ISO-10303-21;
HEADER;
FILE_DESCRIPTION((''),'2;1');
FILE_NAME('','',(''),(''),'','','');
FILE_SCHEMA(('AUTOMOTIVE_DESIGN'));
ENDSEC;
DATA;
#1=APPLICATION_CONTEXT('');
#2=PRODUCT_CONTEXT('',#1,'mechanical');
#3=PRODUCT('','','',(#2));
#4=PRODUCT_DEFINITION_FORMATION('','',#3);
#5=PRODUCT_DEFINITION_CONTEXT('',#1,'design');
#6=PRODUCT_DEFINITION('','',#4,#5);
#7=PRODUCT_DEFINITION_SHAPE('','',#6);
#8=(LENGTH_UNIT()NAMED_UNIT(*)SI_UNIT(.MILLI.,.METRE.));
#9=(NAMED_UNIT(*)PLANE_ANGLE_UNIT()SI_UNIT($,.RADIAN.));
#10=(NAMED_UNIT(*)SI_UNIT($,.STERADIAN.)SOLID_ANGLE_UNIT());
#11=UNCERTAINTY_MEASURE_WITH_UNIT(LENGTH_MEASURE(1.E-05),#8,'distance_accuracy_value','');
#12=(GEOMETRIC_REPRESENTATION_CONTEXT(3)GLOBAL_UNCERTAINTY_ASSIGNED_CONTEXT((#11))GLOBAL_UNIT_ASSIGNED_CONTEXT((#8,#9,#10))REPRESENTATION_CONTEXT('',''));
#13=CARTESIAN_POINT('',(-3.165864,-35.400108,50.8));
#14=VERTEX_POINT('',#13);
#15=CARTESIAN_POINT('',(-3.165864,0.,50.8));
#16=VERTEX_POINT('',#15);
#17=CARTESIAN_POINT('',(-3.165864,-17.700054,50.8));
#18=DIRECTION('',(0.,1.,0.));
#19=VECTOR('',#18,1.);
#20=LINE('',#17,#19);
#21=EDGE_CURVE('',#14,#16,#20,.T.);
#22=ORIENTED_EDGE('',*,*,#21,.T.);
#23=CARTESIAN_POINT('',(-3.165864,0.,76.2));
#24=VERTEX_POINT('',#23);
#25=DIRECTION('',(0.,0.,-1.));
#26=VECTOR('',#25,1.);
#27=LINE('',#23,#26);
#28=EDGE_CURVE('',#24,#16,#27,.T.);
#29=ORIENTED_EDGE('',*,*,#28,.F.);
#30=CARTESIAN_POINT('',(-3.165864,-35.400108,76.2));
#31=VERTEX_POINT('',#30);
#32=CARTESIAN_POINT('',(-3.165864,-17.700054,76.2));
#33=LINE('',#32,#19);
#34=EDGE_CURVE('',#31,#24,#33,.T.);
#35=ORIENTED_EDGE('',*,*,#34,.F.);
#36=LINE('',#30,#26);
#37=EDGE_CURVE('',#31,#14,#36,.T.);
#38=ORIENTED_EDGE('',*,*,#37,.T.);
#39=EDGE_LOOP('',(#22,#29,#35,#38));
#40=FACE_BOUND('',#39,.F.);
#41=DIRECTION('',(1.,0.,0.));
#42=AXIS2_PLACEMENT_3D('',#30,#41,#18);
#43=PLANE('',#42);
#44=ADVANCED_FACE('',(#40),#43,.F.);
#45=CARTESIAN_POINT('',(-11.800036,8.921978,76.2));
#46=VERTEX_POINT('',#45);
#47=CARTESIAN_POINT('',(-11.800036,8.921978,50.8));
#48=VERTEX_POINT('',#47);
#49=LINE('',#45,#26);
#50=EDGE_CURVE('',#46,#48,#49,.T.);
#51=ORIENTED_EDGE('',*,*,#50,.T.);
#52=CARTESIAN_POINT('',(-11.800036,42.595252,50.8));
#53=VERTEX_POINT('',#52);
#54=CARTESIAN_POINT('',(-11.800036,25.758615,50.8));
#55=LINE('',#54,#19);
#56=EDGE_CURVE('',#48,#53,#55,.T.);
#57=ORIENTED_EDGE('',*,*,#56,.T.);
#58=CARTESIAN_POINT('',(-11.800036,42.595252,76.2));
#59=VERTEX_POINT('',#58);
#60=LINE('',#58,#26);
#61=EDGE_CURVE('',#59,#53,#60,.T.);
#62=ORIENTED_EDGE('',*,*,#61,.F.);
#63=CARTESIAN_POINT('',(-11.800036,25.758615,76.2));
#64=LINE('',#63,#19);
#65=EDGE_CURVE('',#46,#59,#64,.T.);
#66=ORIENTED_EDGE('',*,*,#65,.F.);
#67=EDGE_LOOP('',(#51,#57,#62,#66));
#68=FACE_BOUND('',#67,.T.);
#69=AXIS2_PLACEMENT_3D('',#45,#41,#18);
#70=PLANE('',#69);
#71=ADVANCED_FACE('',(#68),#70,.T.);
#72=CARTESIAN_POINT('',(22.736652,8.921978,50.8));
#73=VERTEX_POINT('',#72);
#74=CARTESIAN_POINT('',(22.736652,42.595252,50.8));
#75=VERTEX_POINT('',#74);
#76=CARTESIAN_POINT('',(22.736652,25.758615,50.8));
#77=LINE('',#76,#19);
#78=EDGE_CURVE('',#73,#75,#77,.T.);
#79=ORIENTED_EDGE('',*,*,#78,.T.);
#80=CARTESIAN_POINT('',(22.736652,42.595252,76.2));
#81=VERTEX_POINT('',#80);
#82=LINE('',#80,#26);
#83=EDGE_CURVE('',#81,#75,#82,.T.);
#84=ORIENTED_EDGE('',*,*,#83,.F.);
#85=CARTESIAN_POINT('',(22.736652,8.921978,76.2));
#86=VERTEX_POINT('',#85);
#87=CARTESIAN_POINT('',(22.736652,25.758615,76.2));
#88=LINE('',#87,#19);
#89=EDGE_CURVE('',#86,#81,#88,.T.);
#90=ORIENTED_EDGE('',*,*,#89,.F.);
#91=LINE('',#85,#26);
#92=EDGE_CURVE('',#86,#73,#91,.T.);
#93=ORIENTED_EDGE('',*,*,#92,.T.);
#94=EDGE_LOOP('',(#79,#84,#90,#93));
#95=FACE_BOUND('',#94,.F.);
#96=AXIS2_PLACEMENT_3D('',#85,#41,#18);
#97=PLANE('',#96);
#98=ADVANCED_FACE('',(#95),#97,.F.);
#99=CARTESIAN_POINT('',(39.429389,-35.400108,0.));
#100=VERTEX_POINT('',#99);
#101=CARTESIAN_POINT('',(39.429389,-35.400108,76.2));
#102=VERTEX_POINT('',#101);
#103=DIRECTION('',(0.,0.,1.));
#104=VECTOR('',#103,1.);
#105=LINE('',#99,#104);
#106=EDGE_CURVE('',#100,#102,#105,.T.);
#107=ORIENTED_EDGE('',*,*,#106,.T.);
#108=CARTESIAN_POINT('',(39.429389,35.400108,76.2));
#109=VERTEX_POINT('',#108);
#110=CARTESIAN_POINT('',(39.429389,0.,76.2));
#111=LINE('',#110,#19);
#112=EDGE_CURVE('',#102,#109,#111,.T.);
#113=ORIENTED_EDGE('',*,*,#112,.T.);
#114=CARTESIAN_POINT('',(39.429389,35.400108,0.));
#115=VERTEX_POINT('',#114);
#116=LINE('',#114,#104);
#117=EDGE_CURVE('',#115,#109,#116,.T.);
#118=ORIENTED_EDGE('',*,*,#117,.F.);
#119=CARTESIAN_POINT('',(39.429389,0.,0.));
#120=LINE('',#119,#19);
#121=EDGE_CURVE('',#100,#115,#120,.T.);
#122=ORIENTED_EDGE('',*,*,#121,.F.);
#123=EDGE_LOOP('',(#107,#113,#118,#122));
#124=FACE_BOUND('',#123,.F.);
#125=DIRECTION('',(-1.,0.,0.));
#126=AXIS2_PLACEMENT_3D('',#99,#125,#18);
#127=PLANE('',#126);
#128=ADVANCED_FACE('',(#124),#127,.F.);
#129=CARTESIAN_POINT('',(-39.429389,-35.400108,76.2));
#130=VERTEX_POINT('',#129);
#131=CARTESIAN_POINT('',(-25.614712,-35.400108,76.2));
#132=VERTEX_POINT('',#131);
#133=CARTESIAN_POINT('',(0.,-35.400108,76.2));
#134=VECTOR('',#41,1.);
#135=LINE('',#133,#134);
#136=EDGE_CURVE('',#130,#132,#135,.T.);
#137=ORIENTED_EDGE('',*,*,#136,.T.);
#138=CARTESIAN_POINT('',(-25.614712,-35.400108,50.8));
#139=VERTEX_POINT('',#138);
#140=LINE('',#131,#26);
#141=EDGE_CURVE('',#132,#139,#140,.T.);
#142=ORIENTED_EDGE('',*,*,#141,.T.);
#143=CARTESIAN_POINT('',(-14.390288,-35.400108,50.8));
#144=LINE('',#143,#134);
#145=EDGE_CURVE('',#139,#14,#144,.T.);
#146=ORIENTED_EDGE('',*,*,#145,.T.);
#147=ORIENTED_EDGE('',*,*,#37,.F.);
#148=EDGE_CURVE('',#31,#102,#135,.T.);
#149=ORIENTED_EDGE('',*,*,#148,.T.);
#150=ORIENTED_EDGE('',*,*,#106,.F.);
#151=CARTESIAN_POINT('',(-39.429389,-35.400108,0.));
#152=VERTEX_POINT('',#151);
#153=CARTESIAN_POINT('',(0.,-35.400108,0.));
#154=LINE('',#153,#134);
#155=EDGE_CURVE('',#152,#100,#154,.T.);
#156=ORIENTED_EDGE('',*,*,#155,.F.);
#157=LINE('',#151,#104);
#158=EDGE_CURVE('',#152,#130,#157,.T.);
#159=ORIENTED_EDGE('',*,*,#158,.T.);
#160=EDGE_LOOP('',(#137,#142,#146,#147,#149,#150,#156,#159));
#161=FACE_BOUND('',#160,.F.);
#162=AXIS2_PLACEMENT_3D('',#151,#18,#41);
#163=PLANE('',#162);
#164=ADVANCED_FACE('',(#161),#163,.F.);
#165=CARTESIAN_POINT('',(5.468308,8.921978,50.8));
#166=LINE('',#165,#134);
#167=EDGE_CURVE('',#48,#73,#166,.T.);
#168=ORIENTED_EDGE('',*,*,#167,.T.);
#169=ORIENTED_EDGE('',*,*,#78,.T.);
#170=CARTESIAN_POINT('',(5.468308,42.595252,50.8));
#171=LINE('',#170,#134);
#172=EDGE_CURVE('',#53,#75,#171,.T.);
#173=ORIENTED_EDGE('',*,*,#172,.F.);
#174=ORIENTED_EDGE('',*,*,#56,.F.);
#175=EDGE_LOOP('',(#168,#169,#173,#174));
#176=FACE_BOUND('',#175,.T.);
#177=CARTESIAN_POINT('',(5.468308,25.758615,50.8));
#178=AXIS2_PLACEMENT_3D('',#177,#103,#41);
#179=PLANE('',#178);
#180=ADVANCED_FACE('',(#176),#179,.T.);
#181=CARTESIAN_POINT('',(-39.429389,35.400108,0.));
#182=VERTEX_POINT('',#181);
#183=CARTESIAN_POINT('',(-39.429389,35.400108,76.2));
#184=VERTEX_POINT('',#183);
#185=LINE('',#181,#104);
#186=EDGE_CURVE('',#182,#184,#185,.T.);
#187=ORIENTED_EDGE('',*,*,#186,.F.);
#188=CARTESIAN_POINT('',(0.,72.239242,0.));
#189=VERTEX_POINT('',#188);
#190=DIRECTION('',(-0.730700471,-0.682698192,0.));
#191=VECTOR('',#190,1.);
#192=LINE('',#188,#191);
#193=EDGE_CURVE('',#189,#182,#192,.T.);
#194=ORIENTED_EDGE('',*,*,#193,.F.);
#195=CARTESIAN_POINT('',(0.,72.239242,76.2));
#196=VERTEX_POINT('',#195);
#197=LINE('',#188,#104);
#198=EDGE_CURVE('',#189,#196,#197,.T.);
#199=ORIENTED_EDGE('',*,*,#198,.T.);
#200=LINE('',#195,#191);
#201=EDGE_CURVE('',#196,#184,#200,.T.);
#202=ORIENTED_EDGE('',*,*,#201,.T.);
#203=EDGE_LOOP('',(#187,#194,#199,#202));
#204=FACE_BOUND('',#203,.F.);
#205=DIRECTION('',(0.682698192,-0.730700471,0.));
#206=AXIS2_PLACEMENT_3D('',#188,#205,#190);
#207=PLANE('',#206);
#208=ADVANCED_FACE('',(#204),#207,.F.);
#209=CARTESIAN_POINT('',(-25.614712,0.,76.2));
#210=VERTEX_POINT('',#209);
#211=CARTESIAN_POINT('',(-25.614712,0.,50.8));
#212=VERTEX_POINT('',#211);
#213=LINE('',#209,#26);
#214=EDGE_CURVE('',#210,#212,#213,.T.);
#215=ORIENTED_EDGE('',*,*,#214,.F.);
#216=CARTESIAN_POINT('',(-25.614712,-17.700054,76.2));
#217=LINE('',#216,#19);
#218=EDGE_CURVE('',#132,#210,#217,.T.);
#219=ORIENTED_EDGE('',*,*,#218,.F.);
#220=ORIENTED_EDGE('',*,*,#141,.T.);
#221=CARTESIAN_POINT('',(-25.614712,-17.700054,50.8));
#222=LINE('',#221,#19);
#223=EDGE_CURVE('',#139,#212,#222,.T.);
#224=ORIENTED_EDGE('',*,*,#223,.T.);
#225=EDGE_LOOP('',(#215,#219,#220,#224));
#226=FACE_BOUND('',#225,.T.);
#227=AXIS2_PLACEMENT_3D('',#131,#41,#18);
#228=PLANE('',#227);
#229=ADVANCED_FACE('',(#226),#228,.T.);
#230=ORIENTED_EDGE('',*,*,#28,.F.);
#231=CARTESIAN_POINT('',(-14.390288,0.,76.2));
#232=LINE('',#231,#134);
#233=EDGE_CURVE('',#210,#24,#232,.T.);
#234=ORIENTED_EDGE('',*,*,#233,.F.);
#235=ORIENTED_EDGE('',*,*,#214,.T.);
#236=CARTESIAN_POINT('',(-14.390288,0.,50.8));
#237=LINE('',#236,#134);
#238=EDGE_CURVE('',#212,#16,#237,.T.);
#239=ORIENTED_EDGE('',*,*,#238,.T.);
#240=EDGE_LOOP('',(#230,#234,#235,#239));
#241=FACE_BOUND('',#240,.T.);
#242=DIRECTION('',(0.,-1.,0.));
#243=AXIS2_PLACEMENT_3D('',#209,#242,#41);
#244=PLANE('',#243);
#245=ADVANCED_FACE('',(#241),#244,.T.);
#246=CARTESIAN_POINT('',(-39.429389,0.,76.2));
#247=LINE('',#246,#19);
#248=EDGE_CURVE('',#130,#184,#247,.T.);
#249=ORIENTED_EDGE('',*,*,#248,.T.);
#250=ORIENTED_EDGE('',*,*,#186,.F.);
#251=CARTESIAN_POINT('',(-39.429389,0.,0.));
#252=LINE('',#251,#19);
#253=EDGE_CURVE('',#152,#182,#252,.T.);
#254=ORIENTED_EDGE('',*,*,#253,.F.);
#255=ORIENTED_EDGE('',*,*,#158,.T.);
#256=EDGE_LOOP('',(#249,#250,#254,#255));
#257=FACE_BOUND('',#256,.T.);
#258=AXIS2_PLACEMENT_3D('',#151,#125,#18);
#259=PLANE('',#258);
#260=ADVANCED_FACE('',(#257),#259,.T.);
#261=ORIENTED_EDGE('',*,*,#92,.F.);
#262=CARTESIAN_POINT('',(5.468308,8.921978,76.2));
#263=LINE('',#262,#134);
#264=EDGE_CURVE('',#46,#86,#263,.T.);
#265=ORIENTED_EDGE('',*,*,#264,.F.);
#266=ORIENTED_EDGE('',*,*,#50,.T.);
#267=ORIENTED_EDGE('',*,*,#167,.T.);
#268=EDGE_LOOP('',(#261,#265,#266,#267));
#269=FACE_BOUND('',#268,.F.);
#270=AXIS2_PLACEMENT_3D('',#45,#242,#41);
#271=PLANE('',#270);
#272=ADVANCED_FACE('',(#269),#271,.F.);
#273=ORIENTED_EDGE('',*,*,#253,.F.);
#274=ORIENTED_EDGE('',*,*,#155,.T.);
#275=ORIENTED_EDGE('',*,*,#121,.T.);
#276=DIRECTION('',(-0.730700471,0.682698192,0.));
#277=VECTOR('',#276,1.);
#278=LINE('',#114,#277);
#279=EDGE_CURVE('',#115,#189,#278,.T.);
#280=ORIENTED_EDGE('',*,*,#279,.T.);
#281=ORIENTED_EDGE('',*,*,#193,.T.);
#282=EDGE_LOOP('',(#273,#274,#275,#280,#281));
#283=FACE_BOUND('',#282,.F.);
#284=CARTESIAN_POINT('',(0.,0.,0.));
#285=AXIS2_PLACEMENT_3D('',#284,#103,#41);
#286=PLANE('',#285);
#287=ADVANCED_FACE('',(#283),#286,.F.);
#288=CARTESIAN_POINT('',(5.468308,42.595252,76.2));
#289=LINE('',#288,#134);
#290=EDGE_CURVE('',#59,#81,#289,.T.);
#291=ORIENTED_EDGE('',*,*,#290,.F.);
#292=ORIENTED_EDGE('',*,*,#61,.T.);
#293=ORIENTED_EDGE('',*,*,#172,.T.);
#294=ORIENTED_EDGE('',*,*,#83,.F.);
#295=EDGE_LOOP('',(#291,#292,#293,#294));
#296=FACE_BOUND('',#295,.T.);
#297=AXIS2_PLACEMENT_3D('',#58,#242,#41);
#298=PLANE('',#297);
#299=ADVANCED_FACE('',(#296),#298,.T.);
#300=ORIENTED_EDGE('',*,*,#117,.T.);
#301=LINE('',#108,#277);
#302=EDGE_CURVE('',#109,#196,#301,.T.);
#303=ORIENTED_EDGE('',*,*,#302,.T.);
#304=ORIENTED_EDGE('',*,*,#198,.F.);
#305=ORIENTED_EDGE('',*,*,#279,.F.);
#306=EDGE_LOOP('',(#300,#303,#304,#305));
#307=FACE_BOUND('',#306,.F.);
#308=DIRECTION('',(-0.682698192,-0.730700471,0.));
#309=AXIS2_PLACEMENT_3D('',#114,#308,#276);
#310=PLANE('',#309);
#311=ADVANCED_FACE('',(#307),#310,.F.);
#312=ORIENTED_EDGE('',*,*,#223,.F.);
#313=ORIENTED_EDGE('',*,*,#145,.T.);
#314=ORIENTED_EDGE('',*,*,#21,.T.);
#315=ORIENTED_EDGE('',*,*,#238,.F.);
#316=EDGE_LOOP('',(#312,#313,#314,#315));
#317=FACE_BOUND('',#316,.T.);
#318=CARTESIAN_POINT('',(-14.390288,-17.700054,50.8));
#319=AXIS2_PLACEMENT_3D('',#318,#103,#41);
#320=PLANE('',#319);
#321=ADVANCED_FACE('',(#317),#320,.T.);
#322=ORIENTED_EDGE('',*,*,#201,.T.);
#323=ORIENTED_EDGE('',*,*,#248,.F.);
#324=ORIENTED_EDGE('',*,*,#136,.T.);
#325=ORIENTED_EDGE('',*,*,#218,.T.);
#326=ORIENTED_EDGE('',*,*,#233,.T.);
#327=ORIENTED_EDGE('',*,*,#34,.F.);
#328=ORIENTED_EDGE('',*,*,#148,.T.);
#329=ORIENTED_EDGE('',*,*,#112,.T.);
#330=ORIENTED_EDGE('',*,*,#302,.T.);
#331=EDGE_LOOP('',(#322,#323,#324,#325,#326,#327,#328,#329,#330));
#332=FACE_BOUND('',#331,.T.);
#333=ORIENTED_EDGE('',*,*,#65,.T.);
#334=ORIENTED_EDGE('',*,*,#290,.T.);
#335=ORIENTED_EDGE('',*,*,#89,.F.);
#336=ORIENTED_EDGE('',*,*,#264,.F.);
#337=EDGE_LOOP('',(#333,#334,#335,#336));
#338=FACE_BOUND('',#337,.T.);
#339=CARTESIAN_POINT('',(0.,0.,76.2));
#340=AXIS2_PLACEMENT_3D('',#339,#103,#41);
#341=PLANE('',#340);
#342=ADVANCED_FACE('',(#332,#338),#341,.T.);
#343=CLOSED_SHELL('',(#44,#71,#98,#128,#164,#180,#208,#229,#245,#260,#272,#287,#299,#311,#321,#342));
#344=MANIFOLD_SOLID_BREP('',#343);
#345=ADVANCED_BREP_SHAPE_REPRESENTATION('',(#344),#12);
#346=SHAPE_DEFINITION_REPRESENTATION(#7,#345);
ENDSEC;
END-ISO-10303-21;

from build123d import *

# Parameters (mm, degrees)
F0_W     = 78.858778
F0_H     = 70.800216
F1_DEPTH = 76.2
F2_W     = 22.448848
F2_H     = 35.400108
F3_DEPTH = 25.4
F5_W     = 34.536688
F5_H     = 33.673274
F6_DEPTH = 25.4


with BuildPart() as f1:
    # F0 (on Top) → F1 (new body)
    with BuildSketch(Plane.XY):
        Rectangle(F0_W, F0_H)
        Polygon((0, 72.239242), (-39.429389, 35.400108), (39.429389, 35.400108), align=None)
    extrude(amount=F1_DEPTH)

    # F2 (on face) → F3 (cut)
    with BuildSketch(Plane.XY.offset(76.2)):
        with Locations((-14.390288, -17.700054)):
            Rectangle(F2_W, F2_H)
    extrude(amount=-F3_DEPTH, mode=Mode.SUBTRACT)

    # F5 (on face) → F6 (cut)
    with BuildSketch(Plane.XY.offset(76.2)):
        with Locations((5.468308, 25.758615)):
            Rectangle(F5_W, F5_H)
    extrude(amount=-F6_DEPTH, mode=Mode.SUBTRACT)


solid = f1.part
